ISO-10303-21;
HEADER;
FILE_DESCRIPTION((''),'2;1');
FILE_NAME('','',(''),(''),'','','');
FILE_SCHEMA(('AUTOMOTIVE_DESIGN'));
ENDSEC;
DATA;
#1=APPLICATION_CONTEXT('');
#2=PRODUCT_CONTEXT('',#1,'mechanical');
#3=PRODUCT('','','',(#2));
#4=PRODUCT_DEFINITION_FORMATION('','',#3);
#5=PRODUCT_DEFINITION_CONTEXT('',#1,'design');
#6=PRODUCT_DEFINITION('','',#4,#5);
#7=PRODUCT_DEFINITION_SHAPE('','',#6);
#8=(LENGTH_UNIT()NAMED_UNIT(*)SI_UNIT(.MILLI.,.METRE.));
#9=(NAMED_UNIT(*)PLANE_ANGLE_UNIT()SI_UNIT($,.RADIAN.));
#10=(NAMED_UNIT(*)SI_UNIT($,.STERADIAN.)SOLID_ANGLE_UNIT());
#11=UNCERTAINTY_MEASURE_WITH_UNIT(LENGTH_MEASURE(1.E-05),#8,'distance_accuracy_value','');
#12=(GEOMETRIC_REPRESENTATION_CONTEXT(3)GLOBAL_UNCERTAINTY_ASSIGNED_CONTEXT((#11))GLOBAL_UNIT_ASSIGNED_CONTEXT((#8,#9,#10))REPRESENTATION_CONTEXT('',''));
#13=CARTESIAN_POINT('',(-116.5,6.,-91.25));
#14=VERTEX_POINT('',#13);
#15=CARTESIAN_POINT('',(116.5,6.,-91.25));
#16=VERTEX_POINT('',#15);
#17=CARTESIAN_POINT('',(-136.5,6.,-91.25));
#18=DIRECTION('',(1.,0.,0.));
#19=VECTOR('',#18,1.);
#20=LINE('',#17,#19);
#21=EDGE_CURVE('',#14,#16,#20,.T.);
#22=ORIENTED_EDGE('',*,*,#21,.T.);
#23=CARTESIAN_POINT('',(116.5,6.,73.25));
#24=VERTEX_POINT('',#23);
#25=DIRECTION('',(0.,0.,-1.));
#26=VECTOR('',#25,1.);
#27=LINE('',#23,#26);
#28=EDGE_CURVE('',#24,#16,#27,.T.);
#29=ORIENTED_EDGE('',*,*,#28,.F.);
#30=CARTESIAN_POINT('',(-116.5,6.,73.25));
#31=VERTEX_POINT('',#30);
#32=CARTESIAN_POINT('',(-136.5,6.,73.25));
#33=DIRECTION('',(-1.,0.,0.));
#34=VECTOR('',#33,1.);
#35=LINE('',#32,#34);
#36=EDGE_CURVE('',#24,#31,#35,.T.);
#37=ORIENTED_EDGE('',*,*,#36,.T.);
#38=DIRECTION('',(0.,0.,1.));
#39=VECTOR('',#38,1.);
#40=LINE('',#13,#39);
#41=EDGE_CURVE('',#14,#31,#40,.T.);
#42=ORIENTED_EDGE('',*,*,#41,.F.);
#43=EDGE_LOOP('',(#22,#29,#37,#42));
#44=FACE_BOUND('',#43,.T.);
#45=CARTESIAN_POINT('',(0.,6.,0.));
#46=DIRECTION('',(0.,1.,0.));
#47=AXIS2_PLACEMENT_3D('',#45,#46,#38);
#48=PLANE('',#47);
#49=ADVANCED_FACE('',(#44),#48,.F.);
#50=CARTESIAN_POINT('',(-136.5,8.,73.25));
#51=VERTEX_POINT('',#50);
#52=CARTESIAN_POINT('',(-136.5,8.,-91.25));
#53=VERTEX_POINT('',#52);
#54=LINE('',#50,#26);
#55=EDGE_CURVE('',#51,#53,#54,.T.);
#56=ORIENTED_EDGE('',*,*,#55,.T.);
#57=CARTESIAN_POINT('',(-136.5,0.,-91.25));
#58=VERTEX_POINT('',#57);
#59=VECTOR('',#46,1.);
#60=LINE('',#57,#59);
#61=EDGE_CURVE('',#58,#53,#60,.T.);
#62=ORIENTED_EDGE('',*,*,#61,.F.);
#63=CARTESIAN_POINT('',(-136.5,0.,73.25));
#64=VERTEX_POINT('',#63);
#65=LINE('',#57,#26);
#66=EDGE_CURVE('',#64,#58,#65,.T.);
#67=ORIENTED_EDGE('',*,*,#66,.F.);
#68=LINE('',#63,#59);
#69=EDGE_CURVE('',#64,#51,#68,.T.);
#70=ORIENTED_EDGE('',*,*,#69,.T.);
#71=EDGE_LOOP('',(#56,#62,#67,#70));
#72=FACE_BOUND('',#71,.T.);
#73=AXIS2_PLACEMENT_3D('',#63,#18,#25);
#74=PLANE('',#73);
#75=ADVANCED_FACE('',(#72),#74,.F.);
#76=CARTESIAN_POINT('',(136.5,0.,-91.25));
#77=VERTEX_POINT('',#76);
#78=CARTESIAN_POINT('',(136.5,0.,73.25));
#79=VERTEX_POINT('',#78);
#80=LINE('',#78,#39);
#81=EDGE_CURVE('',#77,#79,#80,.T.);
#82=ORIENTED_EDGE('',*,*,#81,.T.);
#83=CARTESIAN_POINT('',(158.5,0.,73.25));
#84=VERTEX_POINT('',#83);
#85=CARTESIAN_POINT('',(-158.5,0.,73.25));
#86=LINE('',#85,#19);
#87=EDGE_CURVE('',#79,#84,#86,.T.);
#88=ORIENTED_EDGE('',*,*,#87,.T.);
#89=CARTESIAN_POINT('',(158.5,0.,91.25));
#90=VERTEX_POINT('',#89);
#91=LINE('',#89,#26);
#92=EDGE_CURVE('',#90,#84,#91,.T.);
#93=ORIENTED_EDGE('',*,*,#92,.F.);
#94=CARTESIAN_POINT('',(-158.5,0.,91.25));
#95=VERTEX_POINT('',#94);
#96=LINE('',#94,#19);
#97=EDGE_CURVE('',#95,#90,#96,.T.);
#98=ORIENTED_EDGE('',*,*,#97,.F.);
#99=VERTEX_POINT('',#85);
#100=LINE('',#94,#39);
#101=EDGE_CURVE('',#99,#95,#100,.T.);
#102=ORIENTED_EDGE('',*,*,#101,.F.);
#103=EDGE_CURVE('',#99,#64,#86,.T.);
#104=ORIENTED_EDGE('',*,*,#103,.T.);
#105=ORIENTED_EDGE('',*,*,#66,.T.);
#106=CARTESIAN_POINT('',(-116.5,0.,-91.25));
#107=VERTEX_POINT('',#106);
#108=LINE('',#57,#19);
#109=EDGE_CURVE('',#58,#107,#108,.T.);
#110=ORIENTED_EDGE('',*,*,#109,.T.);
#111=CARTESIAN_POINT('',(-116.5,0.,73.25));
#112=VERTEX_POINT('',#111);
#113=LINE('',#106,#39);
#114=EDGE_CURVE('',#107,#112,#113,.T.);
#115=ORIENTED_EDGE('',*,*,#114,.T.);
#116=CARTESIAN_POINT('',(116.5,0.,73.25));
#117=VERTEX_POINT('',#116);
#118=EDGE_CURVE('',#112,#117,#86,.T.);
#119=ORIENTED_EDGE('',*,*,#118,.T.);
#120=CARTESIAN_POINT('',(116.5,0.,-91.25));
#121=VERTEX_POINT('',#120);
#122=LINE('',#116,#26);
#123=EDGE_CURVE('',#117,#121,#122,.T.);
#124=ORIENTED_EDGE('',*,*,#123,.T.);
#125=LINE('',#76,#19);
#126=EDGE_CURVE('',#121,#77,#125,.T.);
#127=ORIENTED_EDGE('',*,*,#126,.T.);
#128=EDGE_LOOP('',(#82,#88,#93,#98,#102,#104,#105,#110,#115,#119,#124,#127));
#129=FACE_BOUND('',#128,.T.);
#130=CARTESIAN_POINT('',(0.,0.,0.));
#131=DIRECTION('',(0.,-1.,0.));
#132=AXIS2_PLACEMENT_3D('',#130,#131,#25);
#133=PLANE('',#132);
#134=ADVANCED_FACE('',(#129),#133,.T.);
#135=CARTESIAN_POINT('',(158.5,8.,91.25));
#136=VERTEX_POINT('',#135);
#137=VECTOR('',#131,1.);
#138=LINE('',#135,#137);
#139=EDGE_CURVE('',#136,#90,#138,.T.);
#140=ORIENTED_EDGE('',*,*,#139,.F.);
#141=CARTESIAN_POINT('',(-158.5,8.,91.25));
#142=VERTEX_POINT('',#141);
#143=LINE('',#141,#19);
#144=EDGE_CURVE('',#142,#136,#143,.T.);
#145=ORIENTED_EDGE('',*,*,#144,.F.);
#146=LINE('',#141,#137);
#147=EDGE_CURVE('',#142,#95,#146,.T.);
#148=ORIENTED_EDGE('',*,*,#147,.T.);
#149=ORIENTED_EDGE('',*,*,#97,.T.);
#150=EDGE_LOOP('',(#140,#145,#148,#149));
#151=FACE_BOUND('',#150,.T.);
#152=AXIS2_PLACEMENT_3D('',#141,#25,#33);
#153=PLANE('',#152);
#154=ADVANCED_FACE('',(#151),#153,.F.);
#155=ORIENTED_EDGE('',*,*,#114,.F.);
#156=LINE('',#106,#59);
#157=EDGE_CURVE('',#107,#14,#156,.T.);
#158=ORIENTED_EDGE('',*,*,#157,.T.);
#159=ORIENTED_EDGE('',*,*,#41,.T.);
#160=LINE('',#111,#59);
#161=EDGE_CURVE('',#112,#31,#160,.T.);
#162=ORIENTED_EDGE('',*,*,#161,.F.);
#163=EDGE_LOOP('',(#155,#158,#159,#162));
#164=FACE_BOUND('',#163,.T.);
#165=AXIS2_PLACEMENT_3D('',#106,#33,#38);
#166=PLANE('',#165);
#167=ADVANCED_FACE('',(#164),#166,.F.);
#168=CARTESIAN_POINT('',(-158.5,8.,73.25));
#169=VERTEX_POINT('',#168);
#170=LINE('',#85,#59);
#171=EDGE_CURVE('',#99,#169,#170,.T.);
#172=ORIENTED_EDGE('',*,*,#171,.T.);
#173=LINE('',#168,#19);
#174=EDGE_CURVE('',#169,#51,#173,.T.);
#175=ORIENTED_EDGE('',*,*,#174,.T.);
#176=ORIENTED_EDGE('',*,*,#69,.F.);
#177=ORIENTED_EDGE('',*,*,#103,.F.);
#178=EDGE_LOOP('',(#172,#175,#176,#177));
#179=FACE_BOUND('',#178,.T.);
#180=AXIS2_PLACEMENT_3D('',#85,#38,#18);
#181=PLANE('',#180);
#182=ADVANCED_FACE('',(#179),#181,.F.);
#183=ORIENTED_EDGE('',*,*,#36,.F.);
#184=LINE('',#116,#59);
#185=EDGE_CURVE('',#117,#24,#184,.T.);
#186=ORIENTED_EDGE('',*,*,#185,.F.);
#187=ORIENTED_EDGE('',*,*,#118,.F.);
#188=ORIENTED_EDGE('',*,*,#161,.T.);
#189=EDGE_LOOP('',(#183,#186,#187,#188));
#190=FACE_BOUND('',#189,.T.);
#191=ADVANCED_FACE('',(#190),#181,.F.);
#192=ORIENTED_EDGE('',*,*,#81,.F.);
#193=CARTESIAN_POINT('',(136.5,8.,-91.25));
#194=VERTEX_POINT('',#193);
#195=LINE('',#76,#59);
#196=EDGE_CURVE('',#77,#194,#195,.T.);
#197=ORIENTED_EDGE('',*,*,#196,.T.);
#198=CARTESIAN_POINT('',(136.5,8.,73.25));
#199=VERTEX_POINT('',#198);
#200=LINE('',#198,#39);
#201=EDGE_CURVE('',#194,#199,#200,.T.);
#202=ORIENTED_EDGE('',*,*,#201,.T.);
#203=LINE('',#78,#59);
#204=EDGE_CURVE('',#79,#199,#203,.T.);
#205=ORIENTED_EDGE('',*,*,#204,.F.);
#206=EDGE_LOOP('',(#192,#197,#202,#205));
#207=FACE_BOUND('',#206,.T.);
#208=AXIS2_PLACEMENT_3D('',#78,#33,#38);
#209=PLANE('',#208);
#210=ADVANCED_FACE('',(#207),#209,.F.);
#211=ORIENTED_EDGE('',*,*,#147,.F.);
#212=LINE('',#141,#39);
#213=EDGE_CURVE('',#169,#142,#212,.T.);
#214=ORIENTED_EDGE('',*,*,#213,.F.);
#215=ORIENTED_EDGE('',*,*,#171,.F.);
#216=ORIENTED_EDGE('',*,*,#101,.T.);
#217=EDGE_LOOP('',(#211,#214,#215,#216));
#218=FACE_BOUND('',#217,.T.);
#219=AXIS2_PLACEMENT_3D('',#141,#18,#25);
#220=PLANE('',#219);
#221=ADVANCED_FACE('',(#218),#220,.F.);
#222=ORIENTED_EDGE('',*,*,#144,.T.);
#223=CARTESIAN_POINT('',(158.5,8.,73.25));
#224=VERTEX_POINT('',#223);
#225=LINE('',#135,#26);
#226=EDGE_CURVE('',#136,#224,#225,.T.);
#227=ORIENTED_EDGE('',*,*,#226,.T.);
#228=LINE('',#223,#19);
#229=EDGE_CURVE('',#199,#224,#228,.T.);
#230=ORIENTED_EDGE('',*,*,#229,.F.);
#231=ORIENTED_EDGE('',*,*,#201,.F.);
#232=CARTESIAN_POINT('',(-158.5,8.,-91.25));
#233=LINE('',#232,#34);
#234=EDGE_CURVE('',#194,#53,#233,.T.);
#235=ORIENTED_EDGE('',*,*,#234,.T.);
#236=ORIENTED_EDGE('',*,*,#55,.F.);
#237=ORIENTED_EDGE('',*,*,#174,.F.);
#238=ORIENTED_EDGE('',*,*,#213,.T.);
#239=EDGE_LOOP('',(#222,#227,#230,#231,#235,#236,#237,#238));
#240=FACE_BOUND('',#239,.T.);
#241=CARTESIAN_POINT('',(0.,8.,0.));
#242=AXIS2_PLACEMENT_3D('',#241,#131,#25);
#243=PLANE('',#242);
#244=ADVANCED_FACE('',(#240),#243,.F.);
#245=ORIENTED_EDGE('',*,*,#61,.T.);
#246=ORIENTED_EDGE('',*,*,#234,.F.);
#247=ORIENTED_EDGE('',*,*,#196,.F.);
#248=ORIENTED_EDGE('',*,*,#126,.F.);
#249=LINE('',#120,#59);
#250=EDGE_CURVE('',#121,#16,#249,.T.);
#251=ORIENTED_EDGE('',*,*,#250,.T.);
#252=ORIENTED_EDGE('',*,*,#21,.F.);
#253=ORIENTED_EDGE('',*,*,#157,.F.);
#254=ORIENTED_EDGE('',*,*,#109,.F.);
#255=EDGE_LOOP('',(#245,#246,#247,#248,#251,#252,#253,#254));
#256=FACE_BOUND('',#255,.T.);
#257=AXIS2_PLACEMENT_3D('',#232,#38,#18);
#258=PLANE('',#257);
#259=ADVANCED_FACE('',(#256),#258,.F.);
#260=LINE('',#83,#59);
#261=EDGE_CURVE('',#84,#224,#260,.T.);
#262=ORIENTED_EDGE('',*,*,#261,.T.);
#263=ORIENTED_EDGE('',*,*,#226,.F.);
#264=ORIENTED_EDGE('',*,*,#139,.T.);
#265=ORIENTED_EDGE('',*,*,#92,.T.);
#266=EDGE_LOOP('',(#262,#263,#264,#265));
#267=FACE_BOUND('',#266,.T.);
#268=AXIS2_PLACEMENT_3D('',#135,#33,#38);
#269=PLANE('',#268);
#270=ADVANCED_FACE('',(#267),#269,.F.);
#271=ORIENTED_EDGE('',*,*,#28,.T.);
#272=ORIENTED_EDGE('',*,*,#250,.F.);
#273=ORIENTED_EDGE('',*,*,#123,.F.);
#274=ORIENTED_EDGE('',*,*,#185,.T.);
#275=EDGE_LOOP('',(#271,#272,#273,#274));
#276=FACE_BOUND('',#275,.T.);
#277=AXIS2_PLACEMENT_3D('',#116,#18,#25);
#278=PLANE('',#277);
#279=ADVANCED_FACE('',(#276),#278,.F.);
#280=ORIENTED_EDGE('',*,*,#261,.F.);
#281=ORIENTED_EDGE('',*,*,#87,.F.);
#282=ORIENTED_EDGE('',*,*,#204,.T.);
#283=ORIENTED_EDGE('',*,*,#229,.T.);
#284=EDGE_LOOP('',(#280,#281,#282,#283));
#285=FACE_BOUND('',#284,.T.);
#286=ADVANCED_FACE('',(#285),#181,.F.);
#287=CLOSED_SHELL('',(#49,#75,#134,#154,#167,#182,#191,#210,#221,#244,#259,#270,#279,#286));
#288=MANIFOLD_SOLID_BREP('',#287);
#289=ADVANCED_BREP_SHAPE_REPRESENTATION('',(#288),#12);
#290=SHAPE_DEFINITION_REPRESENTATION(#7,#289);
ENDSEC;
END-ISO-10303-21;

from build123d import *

# Parameters (mm, degrees)
SKETCH1_W           = 317
SKETCH1_H           = 182.5
BOSS_EXTRUDE1_DEPTH = 8
SKETCH3_W           = 22
SKETCH3_H           = 164.5
CUT_EXTRUDE3_DEPTH  = 184.065049914
SKETCH4_W           = 273
SKETCH4_H           = 164.5
CUT_EXTRUDE4_DEPTH  = 6
SKETCH5_W           = 20
SKETCH5_H           = 164.5
BOSS_EXTRUDE3_DEPTH = 6


with BuildPart() as part:
    # Sketch1 → Boss-Extrude1 (new body)
    with BuildSketch(Plane(origin=(0, 0, 0), x_dir=(1, 0, 0), z_dir=(0, 1, 0))):
        Rectangle(SKETCH1_W, SKETCH1_H)
    extrude(amount=BOSS_EXTRUDE1_DEPTH)

    # Sketch3 → Cut-Extrude3 (cut, through all)
    with BuildSketch(Plane(origin=(0, 8, 0), x_dir=(1, 0, 0), z_dir=(0, 1, 0))):
        with Locations((-147.5, 9)):
            Rectangle(SKETCH3_W, SKETCH3_H)
        with Locations((147.5, 9)):
            Rectangle(SKETCH3_W, SKETCH3_H)
    extrude(amount=-CUT_EXTRUDE3_DEPTH, mode=Mode.SUBTRACT)

    # Sketch4 → Cut-Extrude4 (cut)
    with BuildSketch(Plane.XZ):
        with Locations((0, -9)):
            Rectangle(SKETCH4_W, SKETCH4_H)
    extrude(amount=-CUT_EXTRUDE4_DEPTH, mode=Mode.SUBTRACT)

    # Sketch5 → Boss-Extrude3 (add)
    with BuildSketch(Plane.XZ.offset(-6)):
        with Locations((-126.5, -9)):
            Rectangle(SKETCH5_W, SKETCH5_H)
        with Locations((126.5, -9)):
            Rectangle(SKETCH5_W, SKETCH5_H)
    extrude(amount=BOSS_EXTRUDE3_DEPTH)


solid = part.part
